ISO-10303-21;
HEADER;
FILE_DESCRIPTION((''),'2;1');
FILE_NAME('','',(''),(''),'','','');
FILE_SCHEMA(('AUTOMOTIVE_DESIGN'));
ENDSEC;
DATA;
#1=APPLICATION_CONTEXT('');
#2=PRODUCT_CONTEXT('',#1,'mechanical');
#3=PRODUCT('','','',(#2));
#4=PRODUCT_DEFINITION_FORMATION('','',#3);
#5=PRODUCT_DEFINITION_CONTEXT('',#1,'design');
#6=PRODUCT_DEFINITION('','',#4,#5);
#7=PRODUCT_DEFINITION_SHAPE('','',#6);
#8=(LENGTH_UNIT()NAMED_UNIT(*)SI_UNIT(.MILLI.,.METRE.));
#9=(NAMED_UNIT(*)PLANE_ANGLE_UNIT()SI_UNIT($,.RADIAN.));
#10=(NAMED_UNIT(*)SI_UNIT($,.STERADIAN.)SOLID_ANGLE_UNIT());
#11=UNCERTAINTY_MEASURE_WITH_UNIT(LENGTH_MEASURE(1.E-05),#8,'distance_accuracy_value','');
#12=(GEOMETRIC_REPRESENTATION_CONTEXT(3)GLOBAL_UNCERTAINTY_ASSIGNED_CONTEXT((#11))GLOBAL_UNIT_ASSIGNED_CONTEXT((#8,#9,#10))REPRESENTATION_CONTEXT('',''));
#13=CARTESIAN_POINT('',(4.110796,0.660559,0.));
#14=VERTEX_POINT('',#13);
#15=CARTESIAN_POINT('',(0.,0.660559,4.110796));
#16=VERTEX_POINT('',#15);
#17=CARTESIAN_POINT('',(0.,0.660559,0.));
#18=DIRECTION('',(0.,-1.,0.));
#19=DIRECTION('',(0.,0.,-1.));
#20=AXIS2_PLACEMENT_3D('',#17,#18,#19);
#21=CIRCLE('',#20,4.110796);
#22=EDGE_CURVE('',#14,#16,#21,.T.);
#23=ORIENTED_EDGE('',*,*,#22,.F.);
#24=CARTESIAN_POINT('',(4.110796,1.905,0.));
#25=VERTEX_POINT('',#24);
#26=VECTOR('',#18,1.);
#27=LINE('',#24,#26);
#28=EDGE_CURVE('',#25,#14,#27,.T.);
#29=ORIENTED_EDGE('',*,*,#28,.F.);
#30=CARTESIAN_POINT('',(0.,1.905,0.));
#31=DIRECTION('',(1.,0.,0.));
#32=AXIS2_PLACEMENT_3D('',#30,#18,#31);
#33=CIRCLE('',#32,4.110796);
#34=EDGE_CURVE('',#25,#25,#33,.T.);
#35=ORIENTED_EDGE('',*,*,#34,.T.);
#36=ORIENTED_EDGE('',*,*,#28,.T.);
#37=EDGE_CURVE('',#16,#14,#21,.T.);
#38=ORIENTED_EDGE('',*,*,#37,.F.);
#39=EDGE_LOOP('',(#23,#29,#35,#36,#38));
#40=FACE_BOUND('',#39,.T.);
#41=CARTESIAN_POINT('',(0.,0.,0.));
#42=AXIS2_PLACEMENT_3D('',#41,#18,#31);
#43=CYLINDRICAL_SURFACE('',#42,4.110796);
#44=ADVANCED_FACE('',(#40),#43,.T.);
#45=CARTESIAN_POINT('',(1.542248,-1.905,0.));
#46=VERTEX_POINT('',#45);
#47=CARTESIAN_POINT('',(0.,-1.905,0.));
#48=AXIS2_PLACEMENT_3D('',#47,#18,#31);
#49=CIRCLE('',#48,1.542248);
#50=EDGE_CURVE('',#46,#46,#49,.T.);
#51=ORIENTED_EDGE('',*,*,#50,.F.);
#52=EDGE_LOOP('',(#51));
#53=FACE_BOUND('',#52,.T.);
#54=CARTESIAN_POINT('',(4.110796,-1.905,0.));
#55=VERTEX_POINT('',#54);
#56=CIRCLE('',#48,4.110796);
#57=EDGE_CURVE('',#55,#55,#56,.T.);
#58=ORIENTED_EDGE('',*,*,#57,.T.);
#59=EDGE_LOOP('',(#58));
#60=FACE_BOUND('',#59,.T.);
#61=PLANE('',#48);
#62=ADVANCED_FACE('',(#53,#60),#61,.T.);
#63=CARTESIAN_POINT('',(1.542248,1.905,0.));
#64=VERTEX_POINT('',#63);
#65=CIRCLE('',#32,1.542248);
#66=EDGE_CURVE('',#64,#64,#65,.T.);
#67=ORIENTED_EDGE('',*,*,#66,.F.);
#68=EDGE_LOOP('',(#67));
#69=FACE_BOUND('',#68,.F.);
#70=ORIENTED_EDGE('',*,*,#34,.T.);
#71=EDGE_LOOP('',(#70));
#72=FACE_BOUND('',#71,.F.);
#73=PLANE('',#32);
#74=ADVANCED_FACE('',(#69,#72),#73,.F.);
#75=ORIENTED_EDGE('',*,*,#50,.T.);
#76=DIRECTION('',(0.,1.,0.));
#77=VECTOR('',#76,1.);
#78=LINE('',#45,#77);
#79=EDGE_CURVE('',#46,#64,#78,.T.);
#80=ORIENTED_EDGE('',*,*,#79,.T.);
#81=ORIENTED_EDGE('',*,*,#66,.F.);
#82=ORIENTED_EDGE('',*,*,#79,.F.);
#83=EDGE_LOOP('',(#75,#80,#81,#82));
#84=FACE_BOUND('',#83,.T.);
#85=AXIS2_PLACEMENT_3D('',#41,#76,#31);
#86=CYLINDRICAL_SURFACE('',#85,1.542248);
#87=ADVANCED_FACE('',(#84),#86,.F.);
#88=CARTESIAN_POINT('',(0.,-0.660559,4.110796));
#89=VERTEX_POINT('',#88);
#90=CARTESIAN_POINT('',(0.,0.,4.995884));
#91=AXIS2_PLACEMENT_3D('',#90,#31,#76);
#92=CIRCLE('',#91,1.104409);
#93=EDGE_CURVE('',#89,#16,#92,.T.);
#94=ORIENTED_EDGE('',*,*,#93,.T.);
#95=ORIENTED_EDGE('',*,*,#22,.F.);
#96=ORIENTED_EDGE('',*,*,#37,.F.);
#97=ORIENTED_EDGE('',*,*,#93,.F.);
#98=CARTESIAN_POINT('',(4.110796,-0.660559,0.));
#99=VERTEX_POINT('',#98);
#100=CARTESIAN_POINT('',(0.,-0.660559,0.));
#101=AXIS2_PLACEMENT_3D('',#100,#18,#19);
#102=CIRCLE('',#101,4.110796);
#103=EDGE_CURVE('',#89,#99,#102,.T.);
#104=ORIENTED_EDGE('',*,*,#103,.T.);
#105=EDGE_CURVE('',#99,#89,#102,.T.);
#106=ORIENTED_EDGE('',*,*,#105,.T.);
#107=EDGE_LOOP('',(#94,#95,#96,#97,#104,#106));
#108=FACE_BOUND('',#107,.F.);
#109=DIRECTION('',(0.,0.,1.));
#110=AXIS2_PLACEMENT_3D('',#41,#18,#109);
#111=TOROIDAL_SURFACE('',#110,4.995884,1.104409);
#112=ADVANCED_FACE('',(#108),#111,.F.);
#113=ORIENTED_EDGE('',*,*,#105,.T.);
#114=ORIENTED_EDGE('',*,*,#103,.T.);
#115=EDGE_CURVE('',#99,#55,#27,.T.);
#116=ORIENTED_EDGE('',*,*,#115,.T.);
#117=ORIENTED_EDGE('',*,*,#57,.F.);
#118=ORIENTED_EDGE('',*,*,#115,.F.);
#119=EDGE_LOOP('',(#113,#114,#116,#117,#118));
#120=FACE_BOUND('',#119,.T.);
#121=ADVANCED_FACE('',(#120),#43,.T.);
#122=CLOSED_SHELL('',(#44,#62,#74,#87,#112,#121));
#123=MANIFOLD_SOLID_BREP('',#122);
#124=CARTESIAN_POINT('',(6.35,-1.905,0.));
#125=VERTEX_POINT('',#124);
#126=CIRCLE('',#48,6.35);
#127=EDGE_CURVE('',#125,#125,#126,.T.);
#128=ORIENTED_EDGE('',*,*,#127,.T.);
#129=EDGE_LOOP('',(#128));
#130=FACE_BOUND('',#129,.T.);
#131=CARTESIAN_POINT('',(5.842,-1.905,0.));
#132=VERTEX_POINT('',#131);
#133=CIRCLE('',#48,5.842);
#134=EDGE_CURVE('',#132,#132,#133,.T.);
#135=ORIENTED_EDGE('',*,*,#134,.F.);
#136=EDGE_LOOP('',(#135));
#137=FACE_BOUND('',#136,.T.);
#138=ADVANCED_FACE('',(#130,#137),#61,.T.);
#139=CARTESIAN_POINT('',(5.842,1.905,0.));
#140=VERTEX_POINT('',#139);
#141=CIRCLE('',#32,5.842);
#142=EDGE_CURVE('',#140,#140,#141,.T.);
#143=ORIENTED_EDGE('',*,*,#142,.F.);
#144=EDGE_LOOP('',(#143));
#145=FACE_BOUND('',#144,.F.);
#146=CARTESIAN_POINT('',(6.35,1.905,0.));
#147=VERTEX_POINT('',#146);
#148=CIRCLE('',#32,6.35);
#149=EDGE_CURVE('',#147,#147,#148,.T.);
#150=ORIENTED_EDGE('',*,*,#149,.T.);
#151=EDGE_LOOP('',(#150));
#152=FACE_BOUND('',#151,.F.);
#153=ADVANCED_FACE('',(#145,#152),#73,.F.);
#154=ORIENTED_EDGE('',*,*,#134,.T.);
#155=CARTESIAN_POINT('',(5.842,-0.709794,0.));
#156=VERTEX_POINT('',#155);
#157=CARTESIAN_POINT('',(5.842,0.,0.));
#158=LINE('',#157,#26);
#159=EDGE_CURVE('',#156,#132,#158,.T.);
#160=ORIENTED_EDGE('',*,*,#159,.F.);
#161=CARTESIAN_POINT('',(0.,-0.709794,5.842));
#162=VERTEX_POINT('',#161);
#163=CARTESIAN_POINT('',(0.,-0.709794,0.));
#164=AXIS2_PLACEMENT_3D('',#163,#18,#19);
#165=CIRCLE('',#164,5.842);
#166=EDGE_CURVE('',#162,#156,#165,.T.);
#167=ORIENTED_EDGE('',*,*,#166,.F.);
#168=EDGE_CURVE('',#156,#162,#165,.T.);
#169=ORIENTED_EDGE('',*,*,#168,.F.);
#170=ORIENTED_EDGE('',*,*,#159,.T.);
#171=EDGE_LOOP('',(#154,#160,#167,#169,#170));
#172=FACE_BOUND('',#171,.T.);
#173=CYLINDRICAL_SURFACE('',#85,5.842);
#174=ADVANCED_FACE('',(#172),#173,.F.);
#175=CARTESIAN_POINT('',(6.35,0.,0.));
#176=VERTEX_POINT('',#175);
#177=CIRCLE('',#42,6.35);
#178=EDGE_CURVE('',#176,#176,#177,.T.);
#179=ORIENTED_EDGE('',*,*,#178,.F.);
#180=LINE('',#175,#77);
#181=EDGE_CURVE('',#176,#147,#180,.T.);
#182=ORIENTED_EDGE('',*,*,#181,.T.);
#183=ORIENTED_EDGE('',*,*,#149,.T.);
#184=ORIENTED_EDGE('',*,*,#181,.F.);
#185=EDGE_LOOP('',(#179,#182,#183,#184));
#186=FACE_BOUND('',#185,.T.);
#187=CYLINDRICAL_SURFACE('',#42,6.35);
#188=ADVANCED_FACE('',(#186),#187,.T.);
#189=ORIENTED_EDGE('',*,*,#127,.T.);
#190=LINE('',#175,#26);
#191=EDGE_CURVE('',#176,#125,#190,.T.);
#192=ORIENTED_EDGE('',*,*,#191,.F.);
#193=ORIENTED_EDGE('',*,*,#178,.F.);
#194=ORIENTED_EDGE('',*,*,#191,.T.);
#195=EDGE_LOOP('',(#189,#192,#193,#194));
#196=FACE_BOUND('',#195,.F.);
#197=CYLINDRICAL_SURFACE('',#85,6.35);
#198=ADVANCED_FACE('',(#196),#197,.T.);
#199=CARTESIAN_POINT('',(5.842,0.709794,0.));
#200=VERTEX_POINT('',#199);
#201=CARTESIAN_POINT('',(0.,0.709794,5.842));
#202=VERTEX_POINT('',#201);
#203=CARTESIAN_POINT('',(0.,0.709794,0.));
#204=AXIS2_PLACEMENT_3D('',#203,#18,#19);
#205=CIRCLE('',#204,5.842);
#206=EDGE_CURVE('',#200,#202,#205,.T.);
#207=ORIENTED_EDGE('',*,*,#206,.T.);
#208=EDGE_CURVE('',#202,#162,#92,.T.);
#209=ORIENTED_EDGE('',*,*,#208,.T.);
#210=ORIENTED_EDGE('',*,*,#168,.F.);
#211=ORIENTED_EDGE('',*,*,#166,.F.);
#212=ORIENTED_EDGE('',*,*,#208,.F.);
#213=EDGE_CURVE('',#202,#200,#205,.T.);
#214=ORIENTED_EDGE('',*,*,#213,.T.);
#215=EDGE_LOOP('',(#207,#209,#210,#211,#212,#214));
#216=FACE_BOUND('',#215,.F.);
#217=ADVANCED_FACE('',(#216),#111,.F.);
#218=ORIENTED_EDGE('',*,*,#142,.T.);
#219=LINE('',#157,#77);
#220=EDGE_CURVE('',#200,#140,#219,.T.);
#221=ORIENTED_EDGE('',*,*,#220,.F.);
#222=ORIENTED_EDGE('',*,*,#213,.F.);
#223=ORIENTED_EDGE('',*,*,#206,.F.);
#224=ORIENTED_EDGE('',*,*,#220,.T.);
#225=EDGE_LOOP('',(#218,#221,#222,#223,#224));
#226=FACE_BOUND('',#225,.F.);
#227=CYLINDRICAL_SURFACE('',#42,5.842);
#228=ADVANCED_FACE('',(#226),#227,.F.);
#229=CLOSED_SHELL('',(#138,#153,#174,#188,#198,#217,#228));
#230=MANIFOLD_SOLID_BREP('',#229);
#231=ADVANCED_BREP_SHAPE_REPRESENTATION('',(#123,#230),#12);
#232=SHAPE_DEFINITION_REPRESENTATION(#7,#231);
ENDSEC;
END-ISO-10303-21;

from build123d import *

# Parameters (mm, degrees)
F0_R     = 6.35
F0_R_2   = 5.842
F0_R_3   = 4.110796
F0_R_4   = 1.542248
F1_DEPTH = 1.905
F2_R     = 1.104409


with BuildPart() as f1:
    # F0 (on Front) → F1 (new body, symmetric)
    with BuildSketch(Plane.XZ):
        Circle(F0_R)
        Circle(F0_R_2, mode=Mode.SUBTRACT)
        Circle(F0_R_3)
        Circle(F0_R_4, mode=Mode.SUBTRACT)
    extrude(amount=F1_DEPTH, both=True)

    # F2 (on Right) → F3 (revolve, cut)
    with BuildSketch(Plane.YZ):
        with Locations((0, 4.995884)):
            Circle(F2_R)
    revolve(axis=Axis((0, -1.905, 0), (0, -1, 0)), mode=Mode.SUBTRACT)


solid = f1.part
